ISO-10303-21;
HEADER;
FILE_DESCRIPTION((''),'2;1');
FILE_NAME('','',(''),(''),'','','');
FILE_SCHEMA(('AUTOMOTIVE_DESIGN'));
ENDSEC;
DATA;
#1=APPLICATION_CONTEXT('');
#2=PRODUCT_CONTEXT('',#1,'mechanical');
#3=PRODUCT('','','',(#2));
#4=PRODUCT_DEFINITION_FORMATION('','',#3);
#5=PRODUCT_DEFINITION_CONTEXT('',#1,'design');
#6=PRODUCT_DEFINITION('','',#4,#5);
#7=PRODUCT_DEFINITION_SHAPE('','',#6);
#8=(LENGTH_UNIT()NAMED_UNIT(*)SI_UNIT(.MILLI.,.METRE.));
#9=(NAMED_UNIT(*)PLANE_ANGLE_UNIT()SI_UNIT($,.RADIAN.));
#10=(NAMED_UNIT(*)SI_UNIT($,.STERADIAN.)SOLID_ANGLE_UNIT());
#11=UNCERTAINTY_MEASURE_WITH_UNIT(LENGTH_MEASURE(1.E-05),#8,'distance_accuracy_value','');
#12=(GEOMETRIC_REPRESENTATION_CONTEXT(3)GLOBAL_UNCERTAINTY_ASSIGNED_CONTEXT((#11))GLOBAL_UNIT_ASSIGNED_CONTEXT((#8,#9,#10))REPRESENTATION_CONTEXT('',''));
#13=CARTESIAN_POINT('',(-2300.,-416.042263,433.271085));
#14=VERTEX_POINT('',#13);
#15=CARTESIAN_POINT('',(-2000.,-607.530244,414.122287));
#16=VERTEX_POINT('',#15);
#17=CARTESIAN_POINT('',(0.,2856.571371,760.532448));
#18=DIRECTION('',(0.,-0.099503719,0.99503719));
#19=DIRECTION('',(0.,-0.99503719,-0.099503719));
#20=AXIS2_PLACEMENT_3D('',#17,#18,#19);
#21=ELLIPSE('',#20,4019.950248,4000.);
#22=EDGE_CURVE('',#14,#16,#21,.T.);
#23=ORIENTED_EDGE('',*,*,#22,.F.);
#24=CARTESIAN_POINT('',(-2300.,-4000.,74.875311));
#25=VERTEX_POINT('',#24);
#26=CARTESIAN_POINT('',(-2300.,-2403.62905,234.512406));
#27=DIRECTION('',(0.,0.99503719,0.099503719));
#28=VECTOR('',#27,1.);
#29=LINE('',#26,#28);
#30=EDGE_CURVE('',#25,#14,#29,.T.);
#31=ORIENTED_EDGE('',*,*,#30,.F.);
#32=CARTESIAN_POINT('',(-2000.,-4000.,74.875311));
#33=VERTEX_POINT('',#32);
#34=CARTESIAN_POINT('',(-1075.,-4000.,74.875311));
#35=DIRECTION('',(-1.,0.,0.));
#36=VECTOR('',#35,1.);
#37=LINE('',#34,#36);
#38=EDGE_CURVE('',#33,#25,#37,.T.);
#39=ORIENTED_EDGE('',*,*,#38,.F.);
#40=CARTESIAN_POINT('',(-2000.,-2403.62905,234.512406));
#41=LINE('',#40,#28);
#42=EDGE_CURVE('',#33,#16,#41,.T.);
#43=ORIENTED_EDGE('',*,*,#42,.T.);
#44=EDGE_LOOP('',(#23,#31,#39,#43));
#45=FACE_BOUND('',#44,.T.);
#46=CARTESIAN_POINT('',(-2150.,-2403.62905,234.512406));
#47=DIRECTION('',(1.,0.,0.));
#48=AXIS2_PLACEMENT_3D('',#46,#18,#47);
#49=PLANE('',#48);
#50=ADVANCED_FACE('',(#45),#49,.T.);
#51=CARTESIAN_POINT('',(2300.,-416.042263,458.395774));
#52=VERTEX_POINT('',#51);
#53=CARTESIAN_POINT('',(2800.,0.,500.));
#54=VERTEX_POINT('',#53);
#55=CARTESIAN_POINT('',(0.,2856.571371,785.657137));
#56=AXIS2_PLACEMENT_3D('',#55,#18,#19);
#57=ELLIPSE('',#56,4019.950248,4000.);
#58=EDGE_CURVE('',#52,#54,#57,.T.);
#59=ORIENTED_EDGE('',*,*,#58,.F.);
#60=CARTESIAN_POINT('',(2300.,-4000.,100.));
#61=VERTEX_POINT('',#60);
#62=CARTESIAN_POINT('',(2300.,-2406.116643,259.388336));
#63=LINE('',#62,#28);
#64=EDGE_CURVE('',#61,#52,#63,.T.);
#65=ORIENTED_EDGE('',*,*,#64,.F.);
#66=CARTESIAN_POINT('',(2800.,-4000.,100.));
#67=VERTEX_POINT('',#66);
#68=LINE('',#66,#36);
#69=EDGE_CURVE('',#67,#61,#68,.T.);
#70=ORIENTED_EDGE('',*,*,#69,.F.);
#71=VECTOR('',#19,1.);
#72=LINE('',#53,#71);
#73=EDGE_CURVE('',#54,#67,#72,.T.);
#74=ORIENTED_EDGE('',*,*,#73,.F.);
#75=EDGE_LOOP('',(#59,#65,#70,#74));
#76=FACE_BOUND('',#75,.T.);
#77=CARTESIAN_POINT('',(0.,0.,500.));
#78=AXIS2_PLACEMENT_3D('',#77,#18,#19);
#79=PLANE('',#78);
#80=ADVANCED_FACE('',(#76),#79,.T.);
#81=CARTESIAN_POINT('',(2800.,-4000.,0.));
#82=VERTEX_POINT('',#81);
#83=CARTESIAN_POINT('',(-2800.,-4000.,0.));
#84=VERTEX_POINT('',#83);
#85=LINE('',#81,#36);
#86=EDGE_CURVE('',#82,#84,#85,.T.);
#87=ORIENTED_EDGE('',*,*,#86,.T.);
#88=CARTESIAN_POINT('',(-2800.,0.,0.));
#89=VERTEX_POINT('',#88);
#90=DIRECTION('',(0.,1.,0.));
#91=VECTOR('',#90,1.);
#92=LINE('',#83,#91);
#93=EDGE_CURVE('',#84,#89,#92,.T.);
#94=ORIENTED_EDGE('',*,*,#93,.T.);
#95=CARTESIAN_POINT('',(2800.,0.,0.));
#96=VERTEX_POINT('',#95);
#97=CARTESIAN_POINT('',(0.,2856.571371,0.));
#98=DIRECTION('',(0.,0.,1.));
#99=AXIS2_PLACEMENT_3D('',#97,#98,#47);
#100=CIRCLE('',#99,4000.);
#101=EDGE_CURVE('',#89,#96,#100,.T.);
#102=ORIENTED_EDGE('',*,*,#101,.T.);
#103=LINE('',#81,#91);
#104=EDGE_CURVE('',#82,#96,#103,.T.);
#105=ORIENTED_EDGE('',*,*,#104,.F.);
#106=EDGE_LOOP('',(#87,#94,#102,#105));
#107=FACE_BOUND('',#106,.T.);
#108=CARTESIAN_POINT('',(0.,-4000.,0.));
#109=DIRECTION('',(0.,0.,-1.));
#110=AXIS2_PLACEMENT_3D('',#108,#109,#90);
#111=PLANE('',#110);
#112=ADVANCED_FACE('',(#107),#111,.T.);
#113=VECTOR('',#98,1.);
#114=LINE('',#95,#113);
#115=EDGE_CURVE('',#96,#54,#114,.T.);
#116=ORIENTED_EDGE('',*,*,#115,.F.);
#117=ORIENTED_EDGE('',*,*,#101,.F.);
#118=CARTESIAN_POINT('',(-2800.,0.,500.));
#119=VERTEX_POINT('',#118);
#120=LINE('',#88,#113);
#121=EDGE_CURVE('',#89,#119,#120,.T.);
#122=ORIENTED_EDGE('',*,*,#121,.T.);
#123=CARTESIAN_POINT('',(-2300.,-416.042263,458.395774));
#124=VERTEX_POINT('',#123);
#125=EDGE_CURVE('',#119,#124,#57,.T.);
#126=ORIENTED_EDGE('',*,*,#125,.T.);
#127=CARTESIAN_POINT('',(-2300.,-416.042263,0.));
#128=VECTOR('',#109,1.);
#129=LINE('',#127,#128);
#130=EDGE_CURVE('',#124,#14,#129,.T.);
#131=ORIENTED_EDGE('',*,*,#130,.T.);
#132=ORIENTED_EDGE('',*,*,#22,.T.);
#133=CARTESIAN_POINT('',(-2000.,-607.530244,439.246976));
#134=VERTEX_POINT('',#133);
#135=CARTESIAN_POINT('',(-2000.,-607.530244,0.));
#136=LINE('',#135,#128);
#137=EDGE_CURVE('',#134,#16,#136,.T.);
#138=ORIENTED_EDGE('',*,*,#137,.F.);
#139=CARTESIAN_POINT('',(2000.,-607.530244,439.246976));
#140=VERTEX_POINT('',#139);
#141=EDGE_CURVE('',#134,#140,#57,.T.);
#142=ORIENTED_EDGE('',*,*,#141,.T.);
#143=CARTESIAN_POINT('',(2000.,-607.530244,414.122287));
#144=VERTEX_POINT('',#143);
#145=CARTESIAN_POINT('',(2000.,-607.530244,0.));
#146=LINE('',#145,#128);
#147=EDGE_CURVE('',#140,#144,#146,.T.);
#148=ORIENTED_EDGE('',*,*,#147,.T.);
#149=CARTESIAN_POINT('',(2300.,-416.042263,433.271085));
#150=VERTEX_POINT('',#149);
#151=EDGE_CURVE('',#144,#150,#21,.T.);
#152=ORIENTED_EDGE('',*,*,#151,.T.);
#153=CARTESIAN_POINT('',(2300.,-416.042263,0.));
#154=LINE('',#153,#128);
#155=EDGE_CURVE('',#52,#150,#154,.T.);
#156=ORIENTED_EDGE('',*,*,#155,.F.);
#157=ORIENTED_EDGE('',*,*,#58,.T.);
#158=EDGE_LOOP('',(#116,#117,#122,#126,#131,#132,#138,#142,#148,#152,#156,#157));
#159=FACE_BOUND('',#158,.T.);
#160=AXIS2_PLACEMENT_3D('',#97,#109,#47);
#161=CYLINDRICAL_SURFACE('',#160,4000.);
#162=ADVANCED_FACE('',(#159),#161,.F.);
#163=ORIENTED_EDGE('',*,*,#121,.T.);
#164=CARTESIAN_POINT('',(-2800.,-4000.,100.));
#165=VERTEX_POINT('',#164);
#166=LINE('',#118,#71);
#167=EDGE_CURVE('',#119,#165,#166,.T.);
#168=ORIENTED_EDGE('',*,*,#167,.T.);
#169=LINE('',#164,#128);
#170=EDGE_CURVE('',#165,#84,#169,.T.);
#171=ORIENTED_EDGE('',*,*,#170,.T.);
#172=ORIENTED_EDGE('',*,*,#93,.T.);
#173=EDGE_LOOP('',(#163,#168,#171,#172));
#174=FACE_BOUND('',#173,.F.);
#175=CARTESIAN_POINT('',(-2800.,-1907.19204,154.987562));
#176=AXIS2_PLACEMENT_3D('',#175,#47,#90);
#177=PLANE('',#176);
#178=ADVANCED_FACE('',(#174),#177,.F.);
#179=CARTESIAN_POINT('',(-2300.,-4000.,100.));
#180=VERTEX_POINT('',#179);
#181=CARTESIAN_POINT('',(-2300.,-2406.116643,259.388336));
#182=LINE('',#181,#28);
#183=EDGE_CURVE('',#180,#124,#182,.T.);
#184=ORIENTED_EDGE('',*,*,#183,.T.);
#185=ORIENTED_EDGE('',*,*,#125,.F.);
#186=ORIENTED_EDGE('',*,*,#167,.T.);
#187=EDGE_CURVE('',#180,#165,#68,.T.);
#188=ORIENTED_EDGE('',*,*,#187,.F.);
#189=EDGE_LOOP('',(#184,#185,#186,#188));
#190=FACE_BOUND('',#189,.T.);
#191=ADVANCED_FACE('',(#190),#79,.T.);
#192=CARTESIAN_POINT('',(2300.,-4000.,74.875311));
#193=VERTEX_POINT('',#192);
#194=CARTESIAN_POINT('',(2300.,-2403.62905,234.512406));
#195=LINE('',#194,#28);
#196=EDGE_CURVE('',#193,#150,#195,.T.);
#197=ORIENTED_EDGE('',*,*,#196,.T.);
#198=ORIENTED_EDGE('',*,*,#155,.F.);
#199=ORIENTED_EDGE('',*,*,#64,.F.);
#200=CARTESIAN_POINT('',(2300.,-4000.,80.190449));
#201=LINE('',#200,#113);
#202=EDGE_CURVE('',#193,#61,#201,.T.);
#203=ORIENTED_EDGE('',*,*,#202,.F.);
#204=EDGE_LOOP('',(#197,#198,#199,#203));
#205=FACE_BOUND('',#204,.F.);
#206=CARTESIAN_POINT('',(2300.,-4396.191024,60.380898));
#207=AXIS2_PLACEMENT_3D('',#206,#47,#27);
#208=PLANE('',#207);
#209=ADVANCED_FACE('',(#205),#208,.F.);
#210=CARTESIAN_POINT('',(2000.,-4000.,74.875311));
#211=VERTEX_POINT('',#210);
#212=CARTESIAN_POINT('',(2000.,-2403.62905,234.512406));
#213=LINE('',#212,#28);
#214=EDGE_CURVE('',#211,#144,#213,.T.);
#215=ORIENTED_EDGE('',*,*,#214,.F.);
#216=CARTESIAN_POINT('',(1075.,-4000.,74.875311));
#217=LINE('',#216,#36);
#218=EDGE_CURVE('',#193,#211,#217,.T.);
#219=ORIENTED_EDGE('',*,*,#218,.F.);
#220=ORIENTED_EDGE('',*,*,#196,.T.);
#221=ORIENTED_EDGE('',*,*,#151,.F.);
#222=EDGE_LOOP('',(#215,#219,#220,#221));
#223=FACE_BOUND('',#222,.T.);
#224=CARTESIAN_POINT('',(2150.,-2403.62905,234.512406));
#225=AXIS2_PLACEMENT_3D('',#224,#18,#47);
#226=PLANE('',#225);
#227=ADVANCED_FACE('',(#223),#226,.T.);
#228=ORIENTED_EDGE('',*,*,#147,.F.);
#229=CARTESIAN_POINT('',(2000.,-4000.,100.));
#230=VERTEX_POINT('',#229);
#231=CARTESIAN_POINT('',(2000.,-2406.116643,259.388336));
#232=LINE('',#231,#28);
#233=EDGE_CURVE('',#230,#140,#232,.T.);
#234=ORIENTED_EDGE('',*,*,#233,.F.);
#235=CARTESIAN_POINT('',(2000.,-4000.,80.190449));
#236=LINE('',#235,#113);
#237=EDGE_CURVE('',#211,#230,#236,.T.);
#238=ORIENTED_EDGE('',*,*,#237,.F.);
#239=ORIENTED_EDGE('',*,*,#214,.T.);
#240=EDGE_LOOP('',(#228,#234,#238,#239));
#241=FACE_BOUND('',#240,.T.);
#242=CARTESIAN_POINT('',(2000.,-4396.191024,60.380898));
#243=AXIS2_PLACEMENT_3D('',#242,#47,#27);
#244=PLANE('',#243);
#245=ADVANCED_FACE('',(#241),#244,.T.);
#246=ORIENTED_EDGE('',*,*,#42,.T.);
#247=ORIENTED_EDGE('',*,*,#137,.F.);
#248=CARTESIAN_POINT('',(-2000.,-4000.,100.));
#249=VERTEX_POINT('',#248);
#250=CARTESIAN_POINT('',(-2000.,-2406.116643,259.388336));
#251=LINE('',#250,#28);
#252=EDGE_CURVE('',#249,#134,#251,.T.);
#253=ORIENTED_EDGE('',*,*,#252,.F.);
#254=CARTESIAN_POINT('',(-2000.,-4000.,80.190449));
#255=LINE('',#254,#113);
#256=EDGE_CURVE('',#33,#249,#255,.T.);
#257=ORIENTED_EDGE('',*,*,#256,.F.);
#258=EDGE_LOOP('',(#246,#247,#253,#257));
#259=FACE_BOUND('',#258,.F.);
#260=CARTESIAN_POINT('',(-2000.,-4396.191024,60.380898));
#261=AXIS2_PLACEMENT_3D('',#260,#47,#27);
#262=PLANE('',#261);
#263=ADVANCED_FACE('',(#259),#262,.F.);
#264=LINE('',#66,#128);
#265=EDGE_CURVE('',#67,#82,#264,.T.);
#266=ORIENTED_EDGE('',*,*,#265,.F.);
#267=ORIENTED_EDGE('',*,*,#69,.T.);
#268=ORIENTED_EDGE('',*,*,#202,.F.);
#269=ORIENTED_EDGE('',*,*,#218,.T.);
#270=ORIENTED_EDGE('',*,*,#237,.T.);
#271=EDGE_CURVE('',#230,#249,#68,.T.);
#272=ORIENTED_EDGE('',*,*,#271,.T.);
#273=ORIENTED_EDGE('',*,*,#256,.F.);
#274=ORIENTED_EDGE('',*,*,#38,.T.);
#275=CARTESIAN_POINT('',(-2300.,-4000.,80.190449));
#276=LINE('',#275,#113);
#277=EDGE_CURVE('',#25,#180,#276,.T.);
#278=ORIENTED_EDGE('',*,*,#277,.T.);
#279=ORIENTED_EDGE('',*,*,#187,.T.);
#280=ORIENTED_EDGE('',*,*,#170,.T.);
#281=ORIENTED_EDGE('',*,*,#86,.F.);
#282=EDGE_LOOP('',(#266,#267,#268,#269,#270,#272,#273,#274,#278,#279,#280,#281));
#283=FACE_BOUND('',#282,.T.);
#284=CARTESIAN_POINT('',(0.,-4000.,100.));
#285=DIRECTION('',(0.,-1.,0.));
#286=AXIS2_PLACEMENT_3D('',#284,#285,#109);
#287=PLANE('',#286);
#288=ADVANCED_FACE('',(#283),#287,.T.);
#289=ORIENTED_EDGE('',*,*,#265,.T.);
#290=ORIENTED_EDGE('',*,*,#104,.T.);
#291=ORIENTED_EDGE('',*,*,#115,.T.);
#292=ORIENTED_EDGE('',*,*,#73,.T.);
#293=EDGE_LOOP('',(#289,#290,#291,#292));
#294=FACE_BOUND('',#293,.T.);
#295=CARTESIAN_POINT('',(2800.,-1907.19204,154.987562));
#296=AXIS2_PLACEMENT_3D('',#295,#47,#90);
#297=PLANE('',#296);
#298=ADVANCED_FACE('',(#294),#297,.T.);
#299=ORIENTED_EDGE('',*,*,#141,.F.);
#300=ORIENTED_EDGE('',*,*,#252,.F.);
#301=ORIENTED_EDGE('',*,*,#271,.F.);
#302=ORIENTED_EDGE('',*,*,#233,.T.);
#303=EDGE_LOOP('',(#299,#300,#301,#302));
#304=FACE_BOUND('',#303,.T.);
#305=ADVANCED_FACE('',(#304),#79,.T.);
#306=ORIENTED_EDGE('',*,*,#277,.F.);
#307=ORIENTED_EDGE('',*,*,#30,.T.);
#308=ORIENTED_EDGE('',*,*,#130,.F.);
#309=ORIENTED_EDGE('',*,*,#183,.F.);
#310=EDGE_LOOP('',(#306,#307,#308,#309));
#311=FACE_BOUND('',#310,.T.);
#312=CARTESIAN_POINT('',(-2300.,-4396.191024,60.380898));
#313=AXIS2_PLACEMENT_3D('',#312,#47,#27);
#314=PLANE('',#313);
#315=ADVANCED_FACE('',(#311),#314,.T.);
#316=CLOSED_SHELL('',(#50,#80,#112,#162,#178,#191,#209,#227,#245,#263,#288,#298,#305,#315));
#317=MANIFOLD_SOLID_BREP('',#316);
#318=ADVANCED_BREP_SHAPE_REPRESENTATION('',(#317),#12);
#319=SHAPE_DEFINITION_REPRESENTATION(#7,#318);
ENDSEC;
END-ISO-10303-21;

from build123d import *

# Parameters (mm, degrees)
F1_DEPTH = 2800
F2_R     = 4000
F3_DEPTH = 500
F4_W     = 300
F4_H     = 4000
F5_DEPTH = 25


with BuildPart() as f1:
    # F0 (on Right) → F1 (new body, symmetric)
    with BuildSketch(Plane.YZ):
        Polygon((-4000, 0), (0, 0), (0, 500), (-4000, 100), align=None)
    extrude(amount=F1_DEPTH, both=True)

    # F2 (on Top) → F3 (cut)
    with BuildSketch(Plane.XY):
        with Locations((0, 2856.5713714171)):
            Circle(F2_R)
    extrude(amount=F3_DEPTH, mode=Mode.SUBTRACT)

    # F4 (on face) → F5 (cut)
    with BuildSketch(Plane(origin=(0, -49.504950495, 495.0495049505), x_dir=(1, 0, 0), z_dir=(0, -0.099503719, 0.9950371902))):
        with Locations((-2150, -2368.3654400909)):
            Rectangle(F4_W, F4_H)
        with Locations((2150, -2368.3654400909)):
            Rectangle(F4_W, F4_H)
    extrude(amount=-F5_DEPTH, mode=Mode.SUBTRACT)


solid = f1.part
